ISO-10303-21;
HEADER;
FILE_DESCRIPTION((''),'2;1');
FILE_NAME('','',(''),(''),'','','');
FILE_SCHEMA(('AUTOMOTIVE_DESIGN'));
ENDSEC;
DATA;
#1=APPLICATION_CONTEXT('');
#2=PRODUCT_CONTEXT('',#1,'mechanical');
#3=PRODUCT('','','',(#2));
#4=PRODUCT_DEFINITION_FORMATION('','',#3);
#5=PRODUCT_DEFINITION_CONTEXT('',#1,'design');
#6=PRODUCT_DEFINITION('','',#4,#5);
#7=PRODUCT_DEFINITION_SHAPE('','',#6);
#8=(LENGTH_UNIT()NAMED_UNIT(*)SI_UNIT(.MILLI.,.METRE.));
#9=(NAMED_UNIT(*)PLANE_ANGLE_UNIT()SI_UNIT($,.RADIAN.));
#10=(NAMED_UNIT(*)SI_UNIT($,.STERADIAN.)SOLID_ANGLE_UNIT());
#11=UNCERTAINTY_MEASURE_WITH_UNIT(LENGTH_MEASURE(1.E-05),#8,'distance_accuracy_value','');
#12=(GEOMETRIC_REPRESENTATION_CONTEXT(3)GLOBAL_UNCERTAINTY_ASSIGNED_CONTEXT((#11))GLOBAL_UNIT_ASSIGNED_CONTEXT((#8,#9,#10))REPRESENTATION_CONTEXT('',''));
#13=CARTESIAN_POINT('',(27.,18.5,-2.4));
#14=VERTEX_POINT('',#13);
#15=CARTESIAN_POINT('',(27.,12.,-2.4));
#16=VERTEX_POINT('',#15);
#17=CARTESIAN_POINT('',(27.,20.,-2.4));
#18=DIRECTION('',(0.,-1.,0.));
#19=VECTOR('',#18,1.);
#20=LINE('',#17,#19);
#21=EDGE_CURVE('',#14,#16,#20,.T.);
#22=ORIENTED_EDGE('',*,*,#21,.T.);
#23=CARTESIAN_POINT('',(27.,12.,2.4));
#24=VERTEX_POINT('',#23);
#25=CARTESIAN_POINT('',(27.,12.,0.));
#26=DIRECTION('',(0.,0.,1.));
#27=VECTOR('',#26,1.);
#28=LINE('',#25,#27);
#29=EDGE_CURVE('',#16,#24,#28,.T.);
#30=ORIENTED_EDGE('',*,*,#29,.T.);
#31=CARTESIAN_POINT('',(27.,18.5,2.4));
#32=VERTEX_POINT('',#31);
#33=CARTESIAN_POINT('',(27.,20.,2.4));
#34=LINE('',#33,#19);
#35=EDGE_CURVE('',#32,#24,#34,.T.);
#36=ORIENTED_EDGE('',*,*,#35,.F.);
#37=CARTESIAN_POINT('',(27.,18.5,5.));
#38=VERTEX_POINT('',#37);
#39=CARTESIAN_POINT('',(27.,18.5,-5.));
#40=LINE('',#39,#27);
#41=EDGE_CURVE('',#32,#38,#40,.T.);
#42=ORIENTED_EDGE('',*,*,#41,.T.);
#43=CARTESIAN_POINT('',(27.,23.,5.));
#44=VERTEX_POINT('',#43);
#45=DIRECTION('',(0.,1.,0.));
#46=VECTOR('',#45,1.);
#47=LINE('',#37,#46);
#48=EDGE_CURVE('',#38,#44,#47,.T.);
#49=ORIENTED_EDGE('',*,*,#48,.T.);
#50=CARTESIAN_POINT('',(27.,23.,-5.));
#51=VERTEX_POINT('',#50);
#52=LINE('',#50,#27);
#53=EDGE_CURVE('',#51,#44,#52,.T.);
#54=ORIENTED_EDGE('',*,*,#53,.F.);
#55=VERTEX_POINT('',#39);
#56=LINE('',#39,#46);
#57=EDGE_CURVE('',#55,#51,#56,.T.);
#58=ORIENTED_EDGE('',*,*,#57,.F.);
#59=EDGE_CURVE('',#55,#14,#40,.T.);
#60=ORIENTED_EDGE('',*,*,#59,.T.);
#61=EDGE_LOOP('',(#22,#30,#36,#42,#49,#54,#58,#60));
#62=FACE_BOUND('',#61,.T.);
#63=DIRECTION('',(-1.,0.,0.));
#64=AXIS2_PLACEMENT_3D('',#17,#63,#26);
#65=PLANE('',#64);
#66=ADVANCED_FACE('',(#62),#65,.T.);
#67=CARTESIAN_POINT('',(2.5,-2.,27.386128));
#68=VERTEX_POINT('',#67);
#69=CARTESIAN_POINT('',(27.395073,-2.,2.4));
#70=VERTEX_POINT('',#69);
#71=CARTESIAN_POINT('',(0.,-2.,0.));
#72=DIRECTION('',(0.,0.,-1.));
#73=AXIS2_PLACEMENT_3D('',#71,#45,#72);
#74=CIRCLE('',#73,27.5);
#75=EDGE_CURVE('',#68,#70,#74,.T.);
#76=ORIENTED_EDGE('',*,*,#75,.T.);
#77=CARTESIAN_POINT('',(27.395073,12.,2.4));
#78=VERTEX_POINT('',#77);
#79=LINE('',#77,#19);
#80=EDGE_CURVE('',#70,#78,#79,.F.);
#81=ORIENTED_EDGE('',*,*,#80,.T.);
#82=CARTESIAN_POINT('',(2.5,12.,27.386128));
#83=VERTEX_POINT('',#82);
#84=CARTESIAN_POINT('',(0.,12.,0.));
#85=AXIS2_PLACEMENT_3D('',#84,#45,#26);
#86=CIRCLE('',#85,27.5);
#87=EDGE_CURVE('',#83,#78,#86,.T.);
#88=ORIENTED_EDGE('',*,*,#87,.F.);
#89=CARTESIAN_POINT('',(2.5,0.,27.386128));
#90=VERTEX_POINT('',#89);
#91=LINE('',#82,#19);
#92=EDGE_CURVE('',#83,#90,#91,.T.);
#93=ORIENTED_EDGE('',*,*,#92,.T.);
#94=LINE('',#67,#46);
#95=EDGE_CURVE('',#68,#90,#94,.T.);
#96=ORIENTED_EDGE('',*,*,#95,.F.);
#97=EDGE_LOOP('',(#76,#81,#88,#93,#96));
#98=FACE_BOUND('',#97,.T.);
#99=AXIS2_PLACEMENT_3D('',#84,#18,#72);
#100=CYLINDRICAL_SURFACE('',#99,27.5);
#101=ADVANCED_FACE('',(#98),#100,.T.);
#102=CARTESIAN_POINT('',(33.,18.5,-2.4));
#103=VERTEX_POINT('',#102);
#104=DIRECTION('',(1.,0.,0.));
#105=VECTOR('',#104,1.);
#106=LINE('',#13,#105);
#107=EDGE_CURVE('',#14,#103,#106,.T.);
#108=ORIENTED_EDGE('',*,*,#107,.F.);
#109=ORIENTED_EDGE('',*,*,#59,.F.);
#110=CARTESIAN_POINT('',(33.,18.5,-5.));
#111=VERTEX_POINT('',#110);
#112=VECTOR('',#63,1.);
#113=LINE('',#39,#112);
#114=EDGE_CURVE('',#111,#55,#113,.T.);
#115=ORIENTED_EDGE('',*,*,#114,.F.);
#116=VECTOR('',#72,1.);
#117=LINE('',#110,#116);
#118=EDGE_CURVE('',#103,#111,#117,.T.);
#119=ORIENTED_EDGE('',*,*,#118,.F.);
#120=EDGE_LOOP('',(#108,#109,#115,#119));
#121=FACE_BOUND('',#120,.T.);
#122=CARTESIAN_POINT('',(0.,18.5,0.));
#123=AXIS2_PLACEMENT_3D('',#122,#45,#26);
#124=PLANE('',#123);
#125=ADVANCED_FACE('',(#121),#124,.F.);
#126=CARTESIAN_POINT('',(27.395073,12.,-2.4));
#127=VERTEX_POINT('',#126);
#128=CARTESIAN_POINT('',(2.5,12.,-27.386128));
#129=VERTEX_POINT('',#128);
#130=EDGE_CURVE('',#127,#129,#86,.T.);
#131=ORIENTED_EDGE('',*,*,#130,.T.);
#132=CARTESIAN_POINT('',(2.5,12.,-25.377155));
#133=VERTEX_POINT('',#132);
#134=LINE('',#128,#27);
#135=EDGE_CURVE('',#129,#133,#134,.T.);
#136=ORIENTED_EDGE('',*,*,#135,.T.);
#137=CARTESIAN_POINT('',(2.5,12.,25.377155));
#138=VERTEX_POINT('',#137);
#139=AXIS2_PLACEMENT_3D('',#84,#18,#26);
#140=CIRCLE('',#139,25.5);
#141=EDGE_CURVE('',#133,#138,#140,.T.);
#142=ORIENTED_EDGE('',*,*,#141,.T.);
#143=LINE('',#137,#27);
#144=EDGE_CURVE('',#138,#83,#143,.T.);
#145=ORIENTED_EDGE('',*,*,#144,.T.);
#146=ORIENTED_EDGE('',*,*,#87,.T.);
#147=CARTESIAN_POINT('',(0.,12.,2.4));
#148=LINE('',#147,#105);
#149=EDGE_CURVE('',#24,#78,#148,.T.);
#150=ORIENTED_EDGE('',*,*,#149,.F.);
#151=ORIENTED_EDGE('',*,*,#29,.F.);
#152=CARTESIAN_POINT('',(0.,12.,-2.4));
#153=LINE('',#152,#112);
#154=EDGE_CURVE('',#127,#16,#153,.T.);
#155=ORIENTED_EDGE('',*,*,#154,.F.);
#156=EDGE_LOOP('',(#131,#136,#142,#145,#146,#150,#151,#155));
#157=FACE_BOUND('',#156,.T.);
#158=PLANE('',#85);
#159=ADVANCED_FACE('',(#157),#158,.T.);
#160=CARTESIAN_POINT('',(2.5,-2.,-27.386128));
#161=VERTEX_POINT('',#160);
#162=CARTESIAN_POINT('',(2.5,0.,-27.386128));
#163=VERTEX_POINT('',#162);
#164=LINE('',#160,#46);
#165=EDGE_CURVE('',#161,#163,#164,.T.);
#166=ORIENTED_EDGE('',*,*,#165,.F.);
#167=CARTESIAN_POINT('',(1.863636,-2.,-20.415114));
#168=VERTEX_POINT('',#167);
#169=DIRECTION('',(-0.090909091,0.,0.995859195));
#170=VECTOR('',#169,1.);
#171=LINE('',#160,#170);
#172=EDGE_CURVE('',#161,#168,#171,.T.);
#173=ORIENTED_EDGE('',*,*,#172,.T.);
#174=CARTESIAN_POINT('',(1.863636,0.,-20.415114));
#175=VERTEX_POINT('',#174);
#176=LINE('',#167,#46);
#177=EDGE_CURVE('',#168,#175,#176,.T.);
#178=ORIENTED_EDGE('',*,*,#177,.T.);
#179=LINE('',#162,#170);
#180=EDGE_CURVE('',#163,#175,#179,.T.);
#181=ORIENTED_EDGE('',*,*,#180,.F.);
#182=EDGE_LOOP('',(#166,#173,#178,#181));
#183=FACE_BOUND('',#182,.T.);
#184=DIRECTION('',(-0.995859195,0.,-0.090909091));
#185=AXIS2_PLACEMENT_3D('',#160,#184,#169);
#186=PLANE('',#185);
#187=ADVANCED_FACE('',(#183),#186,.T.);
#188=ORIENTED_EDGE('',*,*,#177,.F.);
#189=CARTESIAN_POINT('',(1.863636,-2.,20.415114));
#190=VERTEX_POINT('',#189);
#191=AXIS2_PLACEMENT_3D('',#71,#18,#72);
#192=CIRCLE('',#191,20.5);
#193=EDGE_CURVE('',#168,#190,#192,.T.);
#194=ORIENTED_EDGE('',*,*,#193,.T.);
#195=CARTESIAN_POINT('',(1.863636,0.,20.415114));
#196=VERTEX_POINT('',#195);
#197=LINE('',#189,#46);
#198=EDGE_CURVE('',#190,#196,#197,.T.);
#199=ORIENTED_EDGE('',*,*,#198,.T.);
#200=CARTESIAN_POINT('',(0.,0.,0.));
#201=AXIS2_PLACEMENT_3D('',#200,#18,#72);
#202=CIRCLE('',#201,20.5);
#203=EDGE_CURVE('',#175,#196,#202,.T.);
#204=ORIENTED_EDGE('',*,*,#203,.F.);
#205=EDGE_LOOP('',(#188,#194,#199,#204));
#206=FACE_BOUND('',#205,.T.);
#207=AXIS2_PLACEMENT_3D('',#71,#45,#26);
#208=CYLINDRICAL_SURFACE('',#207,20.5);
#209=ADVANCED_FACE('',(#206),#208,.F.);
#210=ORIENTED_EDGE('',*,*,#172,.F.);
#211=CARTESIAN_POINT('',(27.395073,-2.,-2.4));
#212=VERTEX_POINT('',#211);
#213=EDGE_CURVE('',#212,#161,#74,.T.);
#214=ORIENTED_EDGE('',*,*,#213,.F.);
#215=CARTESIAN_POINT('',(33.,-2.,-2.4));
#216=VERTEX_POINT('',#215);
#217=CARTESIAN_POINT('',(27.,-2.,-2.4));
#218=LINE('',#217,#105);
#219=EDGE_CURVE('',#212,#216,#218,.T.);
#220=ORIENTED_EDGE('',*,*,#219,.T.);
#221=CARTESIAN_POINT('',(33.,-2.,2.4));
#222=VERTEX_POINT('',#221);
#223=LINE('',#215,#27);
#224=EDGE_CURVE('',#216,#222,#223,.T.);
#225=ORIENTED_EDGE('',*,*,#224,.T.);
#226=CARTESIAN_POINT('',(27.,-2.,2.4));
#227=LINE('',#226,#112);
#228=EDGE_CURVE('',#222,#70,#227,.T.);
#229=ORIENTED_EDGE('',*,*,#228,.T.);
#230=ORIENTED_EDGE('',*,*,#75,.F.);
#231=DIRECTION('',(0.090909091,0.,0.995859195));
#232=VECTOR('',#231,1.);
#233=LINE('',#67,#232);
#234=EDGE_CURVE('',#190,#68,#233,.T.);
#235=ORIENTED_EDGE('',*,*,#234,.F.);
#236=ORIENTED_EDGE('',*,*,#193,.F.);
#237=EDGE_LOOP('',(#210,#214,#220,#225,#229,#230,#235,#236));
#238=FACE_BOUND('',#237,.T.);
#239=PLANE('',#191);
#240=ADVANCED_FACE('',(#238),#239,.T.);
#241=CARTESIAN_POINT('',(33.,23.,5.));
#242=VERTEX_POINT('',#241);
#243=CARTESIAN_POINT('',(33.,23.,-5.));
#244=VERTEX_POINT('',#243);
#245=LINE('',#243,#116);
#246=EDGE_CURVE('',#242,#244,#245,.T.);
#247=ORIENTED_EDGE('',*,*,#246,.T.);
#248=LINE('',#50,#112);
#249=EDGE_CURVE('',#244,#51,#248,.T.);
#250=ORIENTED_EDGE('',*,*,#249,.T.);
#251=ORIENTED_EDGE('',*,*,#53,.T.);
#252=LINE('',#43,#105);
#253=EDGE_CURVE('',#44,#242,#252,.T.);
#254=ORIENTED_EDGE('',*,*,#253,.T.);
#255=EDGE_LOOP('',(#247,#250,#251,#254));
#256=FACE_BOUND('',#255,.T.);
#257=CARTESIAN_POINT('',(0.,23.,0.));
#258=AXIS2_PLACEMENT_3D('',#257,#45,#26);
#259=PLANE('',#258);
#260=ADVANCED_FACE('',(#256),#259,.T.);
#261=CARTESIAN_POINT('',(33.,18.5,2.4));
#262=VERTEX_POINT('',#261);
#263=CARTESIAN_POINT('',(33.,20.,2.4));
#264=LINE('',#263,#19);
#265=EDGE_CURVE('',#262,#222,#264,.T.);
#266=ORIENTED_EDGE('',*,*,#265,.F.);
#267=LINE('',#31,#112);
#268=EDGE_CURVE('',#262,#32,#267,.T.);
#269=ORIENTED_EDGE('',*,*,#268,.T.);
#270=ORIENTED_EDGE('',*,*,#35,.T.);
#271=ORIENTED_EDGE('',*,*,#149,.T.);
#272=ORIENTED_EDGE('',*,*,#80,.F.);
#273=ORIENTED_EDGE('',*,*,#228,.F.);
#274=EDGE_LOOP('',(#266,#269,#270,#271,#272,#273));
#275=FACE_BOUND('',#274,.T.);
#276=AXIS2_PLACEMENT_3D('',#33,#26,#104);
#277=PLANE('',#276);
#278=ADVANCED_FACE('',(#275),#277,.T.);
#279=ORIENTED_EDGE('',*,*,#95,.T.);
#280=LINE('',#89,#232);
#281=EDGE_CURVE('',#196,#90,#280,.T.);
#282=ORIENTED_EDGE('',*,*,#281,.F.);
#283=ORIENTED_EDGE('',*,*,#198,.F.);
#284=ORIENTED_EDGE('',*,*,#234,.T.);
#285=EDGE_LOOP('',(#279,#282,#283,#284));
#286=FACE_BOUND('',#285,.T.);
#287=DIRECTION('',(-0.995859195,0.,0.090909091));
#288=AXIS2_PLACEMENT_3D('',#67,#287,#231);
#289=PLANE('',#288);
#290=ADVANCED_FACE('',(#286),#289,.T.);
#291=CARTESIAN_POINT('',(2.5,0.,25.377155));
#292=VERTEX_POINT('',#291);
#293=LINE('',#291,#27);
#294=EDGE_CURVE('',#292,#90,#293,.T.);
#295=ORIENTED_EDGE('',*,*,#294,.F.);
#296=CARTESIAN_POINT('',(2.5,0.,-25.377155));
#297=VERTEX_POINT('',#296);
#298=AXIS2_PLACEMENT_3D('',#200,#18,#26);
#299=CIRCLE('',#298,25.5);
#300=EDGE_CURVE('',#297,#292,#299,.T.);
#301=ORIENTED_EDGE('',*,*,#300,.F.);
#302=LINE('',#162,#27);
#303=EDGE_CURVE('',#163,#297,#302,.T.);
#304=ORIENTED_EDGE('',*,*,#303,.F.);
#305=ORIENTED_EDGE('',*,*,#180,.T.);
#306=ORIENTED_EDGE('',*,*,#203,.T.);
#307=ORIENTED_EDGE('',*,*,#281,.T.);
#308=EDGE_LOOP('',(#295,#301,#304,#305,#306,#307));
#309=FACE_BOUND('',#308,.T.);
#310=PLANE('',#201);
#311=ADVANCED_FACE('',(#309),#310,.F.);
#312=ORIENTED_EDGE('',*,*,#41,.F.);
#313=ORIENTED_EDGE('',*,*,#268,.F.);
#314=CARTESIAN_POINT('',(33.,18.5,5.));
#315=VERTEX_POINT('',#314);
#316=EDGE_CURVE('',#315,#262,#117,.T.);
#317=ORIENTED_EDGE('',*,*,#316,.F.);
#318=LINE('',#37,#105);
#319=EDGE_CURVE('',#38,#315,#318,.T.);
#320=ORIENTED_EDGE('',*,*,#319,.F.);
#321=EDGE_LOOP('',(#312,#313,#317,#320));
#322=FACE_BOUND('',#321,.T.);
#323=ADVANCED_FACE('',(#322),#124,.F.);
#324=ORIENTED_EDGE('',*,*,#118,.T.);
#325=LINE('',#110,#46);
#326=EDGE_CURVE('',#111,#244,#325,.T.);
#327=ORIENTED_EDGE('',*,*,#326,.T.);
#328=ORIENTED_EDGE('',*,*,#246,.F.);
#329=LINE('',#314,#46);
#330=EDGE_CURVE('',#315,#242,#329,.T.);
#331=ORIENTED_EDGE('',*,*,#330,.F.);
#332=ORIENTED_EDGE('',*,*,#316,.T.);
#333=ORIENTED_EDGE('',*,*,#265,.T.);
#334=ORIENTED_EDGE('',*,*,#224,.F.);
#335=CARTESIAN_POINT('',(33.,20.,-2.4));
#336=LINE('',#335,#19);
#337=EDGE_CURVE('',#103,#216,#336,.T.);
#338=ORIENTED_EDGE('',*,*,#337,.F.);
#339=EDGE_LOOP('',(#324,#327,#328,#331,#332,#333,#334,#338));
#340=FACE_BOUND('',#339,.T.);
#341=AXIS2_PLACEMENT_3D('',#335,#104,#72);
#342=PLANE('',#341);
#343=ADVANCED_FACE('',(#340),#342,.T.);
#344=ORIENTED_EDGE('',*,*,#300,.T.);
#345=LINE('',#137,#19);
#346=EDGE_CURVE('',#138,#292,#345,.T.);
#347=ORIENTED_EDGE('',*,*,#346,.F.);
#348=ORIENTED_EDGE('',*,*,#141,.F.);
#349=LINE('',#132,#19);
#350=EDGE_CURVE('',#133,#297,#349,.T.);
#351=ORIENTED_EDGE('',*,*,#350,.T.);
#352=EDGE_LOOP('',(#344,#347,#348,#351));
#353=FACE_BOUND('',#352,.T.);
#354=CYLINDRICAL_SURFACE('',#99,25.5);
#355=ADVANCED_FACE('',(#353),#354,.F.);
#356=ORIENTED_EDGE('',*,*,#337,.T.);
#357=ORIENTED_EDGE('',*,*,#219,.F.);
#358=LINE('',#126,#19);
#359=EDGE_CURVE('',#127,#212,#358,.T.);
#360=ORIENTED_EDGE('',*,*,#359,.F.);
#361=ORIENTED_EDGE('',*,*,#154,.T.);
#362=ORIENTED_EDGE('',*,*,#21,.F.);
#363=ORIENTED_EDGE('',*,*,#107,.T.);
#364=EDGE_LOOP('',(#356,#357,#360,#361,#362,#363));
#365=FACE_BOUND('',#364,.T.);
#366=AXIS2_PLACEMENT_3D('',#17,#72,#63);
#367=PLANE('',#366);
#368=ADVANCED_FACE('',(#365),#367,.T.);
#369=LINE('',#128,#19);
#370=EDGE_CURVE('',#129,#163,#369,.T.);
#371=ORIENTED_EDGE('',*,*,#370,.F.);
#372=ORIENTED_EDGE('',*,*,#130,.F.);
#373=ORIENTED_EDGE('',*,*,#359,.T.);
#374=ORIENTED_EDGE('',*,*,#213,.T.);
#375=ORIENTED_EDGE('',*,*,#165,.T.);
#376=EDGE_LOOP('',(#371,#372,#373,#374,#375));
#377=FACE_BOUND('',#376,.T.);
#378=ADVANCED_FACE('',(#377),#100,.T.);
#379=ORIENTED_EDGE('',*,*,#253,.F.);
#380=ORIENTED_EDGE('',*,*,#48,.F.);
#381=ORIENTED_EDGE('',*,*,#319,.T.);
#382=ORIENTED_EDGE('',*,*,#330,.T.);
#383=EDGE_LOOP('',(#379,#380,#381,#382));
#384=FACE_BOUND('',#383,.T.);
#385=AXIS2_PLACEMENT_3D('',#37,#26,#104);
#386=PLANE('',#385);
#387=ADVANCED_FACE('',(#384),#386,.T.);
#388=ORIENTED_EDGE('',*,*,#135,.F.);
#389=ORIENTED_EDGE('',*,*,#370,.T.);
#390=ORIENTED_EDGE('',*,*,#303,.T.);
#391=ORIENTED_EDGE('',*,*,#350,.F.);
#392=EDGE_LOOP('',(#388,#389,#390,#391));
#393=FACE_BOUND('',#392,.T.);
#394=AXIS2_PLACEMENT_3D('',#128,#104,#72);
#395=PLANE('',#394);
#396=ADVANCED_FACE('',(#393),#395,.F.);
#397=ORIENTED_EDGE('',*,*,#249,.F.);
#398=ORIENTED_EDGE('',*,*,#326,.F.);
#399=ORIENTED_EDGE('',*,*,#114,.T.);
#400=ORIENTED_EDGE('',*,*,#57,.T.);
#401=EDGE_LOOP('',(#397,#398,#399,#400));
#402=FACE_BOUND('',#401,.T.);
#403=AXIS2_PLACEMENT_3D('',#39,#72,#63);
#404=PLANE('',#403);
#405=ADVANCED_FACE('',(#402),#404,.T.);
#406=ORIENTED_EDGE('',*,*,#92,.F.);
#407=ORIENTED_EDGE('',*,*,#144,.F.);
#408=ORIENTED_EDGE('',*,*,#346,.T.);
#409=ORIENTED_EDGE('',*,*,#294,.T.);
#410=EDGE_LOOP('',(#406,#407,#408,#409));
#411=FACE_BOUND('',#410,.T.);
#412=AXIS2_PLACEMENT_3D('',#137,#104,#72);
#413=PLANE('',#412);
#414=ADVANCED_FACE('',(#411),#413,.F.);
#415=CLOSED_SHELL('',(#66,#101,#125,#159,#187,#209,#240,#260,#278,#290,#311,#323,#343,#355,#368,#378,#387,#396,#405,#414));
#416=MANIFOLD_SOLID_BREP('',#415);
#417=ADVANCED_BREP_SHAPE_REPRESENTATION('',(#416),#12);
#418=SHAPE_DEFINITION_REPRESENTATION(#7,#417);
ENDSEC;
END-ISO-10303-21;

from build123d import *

# Parameters (mm, degrees)
BOSS_EXTRUDE3_DEPTH      = 12
BOSS_EXTRUDE4_START      = -2
BOSS_EXTRUDE4_DEPTH      = 2
SKETCH3_W                = 6
SKETCH3_H                = 4.8
BOSS_EXTRUDE5_DEPTH      = 22
BOSS_EXTRUDE6_DEPTH      = 3
BOSS_EXTRUDE6_DEPTH_BACK = 1.5
SKETCH4_W                = 6
SKETCH4_H                = 10


with BuildPart() as part:
    # Sketch1 → Boss-Extrude3 (new body)
    with BuildSketch(Plane(origin=(0, 0, 0), x_dir=(1, 0, 0), z_dir=(0, 1, 0))):
        with BuildLine():
            Line((2.5, 27.386127875), (2.5, 25.377155081))
            ThreePointArc((2.5, 25.377155081), (25.5, 0), (2.5, -25.377155081))
            Line((2.5, -25.377155081), (2.5, -27.386127875))
            ThreePointArc((2.5, -27.386127875), (27.5, 0), (2.5, 27.386127875))
        make_face()
    extrude(amount=BOSS_EXTRUDE3_DEPTH)

    # Sketch2 → Boss-Extrude4 (add)
    with BuildSketch(Plane(origin=(0, 0, 0), x_dir=(1, 0, 0), z_dir=(0, 1, 0)).offset(BOSS_EXTRUDE4_START)):
        with BuildLine():
            Line((2.5, 27.386127875), (1.863636364, 20.415113507))
            ThreePointArc((1.863636364, 20.415113507), (20.5, 0), (1.863636364, -20.415113507))
            Line((1.863636364, -20.415113507), (2.5, -27.386127875))
            ThreePointArc((2.5, -27.386127875), (27.5, 0), (2.5, 27.386127875))
        make_face()
    extrude(amount=BOSS_EXTRUDE4_DEPTH)

    # Sketch3 → Boss-Extrude5 (add)
    with BuildSketch(Plane.XZ.offset(2)):
        with Locations((30, 0)):
            Rectangle(SKETCH3_W, SKETCH3_H)
    extrude(amount=-BOSS_EXTRUDE5_DEPTH)

    # Sketch4 → Boss-Extrude6 (add, two sides: drawn at the far end of the back side and taken through both)
    with BuildSketch(Plane(origin=(0, 20, 0), x_dir=(1, 0, 0), z_dir=(0, 1, 0)).offset(-BOSS_EXTRUDE6_DEPTH_BACK)):
        with Locations((30, 0)):
            Rectangle(SKETCH4_W, SKETCH4_H)
    extrude(amount=BOSS_EXTRUDE6_DEPTH + BOSS_EXTRUDE6_DEPTH_BACK)


solid = part.part
